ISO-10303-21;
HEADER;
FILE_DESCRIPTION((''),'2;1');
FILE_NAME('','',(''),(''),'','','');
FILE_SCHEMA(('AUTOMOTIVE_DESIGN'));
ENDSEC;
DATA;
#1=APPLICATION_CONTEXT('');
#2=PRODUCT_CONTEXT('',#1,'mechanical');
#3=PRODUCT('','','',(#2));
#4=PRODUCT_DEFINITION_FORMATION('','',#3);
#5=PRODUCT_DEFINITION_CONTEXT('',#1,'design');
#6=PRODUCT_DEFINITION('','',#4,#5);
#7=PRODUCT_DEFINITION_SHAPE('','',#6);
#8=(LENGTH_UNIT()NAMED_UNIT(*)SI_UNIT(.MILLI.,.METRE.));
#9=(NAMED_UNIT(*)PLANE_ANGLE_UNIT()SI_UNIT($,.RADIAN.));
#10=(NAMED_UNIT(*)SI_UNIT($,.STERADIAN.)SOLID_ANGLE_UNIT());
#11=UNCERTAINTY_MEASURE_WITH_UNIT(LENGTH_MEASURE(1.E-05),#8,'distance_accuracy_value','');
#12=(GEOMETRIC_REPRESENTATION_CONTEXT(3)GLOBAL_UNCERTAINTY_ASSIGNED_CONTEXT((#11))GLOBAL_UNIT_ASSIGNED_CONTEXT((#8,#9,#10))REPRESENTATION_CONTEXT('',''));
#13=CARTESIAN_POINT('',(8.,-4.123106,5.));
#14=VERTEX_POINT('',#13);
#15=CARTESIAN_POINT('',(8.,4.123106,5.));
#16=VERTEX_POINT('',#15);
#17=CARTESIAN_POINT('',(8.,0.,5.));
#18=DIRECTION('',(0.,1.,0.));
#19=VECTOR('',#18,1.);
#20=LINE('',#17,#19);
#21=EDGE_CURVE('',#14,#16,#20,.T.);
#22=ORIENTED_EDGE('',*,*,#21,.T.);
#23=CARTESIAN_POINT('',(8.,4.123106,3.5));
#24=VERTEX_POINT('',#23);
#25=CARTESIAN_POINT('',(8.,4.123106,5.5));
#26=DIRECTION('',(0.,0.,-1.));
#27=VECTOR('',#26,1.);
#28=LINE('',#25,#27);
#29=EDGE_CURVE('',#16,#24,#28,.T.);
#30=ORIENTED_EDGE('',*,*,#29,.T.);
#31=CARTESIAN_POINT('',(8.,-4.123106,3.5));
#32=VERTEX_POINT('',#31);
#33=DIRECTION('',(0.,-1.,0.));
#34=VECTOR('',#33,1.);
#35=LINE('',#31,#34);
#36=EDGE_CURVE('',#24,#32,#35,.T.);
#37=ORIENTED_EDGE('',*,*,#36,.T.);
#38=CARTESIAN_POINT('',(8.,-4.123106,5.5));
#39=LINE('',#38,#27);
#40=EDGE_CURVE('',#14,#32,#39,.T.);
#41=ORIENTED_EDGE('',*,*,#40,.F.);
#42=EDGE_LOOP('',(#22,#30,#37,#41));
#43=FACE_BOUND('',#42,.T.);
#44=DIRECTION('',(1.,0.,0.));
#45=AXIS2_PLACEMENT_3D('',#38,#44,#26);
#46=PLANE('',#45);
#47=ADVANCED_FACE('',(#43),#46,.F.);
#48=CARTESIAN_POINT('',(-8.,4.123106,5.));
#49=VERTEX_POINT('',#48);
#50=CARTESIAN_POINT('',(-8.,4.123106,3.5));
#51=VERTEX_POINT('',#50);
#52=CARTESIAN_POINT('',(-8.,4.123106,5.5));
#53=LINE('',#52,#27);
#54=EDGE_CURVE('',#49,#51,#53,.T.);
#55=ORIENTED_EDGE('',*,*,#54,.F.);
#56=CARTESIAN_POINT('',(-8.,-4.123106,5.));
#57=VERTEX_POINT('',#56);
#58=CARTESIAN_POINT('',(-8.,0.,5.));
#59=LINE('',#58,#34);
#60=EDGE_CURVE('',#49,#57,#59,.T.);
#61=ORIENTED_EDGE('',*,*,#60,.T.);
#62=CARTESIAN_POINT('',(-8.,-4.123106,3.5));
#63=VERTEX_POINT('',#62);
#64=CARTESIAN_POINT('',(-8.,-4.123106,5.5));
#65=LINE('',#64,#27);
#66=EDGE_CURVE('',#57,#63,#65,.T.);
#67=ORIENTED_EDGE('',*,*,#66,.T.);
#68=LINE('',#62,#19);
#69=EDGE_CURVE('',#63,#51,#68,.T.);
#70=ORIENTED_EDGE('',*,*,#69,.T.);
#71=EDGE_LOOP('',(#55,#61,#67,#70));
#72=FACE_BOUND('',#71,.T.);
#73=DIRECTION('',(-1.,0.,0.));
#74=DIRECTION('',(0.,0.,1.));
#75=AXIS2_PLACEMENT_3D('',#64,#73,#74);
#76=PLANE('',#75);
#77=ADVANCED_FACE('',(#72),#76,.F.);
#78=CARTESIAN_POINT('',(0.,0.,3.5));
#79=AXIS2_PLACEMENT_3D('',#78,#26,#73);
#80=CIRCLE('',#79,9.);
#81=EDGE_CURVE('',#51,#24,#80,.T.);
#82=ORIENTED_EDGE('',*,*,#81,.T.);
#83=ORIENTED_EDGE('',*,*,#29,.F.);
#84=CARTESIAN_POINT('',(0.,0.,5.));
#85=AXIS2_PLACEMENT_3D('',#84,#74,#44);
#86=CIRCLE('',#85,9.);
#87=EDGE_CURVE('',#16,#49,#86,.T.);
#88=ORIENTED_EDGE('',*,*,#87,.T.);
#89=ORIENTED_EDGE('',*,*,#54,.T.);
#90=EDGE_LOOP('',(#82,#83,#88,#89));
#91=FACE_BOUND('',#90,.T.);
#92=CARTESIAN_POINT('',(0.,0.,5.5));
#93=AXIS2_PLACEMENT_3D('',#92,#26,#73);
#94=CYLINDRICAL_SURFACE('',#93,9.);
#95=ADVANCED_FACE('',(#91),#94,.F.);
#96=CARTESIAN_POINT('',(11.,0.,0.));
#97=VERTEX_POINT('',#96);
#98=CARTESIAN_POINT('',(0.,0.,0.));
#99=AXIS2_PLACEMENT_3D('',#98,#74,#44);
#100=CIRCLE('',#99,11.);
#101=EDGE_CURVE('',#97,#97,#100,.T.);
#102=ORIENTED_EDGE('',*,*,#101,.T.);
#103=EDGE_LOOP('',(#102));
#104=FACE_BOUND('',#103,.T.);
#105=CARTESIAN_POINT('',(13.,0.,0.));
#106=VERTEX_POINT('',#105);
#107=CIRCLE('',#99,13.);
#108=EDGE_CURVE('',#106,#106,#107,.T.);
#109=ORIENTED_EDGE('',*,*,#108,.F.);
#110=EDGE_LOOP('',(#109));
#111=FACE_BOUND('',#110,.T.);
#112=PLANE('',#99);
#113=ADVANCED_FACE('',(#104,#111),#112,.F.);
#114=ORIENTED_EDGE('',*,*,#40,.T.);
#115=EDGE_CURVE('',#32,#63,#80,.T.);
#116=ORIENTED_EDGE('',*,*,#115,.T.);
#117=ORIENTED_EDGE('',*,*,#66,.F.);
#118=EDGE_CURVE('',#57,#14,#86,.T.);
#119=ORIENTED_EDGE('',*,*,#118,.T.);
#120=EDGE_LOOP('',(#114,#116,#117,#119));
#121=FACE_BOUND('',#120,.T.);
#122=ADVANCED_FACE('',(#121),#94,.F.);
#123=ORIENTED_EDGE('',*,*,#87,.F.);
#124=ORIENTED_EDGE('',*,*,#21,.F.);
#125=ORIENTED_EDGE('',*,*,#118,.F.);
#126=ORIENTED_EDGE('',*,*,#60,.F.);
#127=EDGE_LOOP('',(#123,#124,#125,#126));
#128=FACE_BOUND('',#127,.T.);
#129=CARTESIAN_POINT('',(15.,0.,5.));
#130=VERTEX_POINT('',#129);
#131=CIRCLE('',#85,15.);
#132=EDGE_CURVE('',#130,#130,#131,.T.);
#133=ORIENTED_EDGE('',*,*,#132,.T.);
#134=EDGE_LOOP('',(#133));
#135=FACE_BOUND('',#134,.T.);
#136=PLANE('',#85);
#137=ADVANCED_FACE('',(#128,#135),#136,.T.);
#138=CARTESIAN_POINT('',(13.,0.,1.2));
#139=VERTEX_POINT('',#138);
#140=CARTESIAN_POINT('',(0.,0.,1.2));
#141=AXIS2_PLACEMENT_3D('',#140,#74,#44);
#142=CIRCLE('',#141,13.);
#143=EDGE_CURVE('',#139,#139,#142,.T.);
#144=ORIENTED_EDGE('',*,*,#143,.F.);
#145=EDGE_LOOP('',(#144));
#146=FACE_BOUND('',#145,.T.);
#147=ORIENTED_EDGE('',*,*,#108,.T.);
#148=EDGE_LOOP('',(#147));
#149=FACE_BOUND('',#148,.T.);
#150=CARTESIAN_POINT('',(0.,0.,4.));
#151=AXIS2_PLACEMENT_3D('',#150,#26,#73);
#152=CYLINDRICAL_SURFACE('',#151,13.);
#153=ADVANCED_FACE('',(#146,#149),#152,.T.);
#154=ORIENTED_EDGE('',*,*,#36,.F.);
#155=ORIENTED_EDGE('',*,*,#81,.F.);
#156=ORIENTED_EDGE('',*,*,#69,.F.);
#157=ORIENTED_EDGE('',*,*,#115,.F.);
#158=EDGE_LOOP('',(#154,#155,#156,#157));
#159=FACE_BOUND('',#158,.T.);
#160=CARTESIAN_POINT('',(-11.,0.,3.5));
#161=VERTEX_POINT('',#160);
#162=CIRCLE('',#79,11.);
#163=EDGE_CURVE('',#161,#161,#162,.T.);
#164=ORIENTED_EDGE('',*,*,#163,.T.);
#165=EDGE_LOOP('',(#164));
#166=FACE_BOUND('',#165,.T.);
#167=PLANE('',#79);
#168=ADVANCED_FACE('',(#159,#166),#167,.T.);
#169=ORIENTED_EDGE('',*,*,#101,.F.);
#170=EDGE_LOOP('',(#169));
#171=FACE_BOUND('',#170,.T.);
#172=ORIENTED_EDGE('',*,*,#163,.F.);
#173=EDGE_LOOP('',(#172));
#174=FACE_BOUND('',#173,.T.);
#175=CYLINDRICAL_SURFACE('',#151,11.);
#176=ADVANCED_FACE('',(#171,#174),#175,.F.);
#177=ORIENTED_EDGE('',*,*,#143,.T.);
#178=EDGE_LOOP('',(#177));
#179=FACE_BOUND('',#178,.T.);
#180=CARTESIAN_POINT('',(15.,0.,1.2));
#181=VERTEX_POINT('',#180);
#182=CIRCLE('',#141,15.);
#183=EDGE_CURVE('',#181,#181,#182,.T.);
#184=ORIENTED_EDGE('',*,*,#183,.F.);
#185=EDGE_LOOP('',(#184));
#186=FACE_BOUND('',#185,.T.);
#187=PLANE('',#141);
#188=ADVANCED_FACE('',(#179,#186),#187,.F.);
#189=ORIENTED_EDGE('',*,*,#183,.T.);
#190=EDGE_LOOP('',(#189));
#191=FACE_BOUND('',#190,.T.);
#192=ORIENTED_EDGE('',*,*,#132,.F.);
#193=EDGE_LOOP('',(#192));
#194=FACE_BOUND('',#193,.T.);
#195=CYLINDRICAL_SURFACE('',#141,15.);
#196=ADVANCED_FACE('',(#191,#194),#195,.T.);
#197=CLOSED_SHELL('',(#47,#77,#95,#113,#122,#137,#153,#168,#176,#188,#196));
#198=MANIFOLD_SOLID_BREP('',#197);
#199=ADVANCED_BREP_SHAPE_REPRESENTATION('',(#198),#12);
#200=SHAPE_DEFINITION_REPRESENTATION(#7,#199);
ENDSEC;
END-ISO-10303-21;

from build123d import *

# Parameters (mm, degrees)
SKETCH_1_R           = 13
SKETCH_1_R_2         = 11
EXTRUDE_1_DEPTH      = 4
EXTRUDE_2_DEPTH      = 1
EXTRUDE_2_DEPTH_BACK = 2.8
SKETCH_2_R           = 15
SKETCH_3_R           = 11
CUT_EXTRUDE_1_DEPTH  = 2.3
CUT_EXTRUDE_2_DEPTH  = 2


with BuildPart() as part:
    # 草图1 → 拉伸1 (new body)
    with BuildSketch(Plane.XY):
        Circle(SKETCH_1_R)
        Circle(SKETCH_1_R_2, mode=Mode.SUBTRACT)
    extrude(amount=EXTRUDE_1_DEPTH)

    # 草图2 → 拉伸2 (add, two sides: drawn at the far end of the back side and taken through both)
    with BuildSketch(Plane.XY.offset(4).offset(-EXTRUDE_2_DEPTH_BACK)):
        Circle(SKETCH_2_R)
    extrude(amount=EXTRUDE_2_DEPTH + EXTRUDE_2_DEPTH_BACK)

    # 草图3 → 切除-拉伸1 (cut)
    with BuildSketch(Plane(origin=(0, 0, 1.2), x_dir=(-1, 0, 0), z_dir=(0, 0, -1))):
        Circle(SKETCH_3_R)
    extrude(amount=-CUT_EXTRUDE_1_DEPTH, mode=Mode.SUBTRACT)

    # 草图4 → 切除-拉伸2 (cut)
    with BuildSketch(Plane(origin=(0, 0, 3.5), x_dir=(-1, 0, 0), z_dir=(0, 0, -1))):
        with BuildLine():
            Line((-8, -4.123105626), (-8, 4.123105626))
            ThreePointArc((-8, 4.123105626), (0, 9), (8, 4.123105626))
            Line((8, 4.123105626), (8, -4.123105626))
            ThreePointArc((8, -4.123105626), (0, -9), (-8, -4.123105626))
        make_face()
    extrude(amount=-CUT_EXTRUDE_2_DEPTH, mode=Mode.SUBTRACT)


solid = part.part
